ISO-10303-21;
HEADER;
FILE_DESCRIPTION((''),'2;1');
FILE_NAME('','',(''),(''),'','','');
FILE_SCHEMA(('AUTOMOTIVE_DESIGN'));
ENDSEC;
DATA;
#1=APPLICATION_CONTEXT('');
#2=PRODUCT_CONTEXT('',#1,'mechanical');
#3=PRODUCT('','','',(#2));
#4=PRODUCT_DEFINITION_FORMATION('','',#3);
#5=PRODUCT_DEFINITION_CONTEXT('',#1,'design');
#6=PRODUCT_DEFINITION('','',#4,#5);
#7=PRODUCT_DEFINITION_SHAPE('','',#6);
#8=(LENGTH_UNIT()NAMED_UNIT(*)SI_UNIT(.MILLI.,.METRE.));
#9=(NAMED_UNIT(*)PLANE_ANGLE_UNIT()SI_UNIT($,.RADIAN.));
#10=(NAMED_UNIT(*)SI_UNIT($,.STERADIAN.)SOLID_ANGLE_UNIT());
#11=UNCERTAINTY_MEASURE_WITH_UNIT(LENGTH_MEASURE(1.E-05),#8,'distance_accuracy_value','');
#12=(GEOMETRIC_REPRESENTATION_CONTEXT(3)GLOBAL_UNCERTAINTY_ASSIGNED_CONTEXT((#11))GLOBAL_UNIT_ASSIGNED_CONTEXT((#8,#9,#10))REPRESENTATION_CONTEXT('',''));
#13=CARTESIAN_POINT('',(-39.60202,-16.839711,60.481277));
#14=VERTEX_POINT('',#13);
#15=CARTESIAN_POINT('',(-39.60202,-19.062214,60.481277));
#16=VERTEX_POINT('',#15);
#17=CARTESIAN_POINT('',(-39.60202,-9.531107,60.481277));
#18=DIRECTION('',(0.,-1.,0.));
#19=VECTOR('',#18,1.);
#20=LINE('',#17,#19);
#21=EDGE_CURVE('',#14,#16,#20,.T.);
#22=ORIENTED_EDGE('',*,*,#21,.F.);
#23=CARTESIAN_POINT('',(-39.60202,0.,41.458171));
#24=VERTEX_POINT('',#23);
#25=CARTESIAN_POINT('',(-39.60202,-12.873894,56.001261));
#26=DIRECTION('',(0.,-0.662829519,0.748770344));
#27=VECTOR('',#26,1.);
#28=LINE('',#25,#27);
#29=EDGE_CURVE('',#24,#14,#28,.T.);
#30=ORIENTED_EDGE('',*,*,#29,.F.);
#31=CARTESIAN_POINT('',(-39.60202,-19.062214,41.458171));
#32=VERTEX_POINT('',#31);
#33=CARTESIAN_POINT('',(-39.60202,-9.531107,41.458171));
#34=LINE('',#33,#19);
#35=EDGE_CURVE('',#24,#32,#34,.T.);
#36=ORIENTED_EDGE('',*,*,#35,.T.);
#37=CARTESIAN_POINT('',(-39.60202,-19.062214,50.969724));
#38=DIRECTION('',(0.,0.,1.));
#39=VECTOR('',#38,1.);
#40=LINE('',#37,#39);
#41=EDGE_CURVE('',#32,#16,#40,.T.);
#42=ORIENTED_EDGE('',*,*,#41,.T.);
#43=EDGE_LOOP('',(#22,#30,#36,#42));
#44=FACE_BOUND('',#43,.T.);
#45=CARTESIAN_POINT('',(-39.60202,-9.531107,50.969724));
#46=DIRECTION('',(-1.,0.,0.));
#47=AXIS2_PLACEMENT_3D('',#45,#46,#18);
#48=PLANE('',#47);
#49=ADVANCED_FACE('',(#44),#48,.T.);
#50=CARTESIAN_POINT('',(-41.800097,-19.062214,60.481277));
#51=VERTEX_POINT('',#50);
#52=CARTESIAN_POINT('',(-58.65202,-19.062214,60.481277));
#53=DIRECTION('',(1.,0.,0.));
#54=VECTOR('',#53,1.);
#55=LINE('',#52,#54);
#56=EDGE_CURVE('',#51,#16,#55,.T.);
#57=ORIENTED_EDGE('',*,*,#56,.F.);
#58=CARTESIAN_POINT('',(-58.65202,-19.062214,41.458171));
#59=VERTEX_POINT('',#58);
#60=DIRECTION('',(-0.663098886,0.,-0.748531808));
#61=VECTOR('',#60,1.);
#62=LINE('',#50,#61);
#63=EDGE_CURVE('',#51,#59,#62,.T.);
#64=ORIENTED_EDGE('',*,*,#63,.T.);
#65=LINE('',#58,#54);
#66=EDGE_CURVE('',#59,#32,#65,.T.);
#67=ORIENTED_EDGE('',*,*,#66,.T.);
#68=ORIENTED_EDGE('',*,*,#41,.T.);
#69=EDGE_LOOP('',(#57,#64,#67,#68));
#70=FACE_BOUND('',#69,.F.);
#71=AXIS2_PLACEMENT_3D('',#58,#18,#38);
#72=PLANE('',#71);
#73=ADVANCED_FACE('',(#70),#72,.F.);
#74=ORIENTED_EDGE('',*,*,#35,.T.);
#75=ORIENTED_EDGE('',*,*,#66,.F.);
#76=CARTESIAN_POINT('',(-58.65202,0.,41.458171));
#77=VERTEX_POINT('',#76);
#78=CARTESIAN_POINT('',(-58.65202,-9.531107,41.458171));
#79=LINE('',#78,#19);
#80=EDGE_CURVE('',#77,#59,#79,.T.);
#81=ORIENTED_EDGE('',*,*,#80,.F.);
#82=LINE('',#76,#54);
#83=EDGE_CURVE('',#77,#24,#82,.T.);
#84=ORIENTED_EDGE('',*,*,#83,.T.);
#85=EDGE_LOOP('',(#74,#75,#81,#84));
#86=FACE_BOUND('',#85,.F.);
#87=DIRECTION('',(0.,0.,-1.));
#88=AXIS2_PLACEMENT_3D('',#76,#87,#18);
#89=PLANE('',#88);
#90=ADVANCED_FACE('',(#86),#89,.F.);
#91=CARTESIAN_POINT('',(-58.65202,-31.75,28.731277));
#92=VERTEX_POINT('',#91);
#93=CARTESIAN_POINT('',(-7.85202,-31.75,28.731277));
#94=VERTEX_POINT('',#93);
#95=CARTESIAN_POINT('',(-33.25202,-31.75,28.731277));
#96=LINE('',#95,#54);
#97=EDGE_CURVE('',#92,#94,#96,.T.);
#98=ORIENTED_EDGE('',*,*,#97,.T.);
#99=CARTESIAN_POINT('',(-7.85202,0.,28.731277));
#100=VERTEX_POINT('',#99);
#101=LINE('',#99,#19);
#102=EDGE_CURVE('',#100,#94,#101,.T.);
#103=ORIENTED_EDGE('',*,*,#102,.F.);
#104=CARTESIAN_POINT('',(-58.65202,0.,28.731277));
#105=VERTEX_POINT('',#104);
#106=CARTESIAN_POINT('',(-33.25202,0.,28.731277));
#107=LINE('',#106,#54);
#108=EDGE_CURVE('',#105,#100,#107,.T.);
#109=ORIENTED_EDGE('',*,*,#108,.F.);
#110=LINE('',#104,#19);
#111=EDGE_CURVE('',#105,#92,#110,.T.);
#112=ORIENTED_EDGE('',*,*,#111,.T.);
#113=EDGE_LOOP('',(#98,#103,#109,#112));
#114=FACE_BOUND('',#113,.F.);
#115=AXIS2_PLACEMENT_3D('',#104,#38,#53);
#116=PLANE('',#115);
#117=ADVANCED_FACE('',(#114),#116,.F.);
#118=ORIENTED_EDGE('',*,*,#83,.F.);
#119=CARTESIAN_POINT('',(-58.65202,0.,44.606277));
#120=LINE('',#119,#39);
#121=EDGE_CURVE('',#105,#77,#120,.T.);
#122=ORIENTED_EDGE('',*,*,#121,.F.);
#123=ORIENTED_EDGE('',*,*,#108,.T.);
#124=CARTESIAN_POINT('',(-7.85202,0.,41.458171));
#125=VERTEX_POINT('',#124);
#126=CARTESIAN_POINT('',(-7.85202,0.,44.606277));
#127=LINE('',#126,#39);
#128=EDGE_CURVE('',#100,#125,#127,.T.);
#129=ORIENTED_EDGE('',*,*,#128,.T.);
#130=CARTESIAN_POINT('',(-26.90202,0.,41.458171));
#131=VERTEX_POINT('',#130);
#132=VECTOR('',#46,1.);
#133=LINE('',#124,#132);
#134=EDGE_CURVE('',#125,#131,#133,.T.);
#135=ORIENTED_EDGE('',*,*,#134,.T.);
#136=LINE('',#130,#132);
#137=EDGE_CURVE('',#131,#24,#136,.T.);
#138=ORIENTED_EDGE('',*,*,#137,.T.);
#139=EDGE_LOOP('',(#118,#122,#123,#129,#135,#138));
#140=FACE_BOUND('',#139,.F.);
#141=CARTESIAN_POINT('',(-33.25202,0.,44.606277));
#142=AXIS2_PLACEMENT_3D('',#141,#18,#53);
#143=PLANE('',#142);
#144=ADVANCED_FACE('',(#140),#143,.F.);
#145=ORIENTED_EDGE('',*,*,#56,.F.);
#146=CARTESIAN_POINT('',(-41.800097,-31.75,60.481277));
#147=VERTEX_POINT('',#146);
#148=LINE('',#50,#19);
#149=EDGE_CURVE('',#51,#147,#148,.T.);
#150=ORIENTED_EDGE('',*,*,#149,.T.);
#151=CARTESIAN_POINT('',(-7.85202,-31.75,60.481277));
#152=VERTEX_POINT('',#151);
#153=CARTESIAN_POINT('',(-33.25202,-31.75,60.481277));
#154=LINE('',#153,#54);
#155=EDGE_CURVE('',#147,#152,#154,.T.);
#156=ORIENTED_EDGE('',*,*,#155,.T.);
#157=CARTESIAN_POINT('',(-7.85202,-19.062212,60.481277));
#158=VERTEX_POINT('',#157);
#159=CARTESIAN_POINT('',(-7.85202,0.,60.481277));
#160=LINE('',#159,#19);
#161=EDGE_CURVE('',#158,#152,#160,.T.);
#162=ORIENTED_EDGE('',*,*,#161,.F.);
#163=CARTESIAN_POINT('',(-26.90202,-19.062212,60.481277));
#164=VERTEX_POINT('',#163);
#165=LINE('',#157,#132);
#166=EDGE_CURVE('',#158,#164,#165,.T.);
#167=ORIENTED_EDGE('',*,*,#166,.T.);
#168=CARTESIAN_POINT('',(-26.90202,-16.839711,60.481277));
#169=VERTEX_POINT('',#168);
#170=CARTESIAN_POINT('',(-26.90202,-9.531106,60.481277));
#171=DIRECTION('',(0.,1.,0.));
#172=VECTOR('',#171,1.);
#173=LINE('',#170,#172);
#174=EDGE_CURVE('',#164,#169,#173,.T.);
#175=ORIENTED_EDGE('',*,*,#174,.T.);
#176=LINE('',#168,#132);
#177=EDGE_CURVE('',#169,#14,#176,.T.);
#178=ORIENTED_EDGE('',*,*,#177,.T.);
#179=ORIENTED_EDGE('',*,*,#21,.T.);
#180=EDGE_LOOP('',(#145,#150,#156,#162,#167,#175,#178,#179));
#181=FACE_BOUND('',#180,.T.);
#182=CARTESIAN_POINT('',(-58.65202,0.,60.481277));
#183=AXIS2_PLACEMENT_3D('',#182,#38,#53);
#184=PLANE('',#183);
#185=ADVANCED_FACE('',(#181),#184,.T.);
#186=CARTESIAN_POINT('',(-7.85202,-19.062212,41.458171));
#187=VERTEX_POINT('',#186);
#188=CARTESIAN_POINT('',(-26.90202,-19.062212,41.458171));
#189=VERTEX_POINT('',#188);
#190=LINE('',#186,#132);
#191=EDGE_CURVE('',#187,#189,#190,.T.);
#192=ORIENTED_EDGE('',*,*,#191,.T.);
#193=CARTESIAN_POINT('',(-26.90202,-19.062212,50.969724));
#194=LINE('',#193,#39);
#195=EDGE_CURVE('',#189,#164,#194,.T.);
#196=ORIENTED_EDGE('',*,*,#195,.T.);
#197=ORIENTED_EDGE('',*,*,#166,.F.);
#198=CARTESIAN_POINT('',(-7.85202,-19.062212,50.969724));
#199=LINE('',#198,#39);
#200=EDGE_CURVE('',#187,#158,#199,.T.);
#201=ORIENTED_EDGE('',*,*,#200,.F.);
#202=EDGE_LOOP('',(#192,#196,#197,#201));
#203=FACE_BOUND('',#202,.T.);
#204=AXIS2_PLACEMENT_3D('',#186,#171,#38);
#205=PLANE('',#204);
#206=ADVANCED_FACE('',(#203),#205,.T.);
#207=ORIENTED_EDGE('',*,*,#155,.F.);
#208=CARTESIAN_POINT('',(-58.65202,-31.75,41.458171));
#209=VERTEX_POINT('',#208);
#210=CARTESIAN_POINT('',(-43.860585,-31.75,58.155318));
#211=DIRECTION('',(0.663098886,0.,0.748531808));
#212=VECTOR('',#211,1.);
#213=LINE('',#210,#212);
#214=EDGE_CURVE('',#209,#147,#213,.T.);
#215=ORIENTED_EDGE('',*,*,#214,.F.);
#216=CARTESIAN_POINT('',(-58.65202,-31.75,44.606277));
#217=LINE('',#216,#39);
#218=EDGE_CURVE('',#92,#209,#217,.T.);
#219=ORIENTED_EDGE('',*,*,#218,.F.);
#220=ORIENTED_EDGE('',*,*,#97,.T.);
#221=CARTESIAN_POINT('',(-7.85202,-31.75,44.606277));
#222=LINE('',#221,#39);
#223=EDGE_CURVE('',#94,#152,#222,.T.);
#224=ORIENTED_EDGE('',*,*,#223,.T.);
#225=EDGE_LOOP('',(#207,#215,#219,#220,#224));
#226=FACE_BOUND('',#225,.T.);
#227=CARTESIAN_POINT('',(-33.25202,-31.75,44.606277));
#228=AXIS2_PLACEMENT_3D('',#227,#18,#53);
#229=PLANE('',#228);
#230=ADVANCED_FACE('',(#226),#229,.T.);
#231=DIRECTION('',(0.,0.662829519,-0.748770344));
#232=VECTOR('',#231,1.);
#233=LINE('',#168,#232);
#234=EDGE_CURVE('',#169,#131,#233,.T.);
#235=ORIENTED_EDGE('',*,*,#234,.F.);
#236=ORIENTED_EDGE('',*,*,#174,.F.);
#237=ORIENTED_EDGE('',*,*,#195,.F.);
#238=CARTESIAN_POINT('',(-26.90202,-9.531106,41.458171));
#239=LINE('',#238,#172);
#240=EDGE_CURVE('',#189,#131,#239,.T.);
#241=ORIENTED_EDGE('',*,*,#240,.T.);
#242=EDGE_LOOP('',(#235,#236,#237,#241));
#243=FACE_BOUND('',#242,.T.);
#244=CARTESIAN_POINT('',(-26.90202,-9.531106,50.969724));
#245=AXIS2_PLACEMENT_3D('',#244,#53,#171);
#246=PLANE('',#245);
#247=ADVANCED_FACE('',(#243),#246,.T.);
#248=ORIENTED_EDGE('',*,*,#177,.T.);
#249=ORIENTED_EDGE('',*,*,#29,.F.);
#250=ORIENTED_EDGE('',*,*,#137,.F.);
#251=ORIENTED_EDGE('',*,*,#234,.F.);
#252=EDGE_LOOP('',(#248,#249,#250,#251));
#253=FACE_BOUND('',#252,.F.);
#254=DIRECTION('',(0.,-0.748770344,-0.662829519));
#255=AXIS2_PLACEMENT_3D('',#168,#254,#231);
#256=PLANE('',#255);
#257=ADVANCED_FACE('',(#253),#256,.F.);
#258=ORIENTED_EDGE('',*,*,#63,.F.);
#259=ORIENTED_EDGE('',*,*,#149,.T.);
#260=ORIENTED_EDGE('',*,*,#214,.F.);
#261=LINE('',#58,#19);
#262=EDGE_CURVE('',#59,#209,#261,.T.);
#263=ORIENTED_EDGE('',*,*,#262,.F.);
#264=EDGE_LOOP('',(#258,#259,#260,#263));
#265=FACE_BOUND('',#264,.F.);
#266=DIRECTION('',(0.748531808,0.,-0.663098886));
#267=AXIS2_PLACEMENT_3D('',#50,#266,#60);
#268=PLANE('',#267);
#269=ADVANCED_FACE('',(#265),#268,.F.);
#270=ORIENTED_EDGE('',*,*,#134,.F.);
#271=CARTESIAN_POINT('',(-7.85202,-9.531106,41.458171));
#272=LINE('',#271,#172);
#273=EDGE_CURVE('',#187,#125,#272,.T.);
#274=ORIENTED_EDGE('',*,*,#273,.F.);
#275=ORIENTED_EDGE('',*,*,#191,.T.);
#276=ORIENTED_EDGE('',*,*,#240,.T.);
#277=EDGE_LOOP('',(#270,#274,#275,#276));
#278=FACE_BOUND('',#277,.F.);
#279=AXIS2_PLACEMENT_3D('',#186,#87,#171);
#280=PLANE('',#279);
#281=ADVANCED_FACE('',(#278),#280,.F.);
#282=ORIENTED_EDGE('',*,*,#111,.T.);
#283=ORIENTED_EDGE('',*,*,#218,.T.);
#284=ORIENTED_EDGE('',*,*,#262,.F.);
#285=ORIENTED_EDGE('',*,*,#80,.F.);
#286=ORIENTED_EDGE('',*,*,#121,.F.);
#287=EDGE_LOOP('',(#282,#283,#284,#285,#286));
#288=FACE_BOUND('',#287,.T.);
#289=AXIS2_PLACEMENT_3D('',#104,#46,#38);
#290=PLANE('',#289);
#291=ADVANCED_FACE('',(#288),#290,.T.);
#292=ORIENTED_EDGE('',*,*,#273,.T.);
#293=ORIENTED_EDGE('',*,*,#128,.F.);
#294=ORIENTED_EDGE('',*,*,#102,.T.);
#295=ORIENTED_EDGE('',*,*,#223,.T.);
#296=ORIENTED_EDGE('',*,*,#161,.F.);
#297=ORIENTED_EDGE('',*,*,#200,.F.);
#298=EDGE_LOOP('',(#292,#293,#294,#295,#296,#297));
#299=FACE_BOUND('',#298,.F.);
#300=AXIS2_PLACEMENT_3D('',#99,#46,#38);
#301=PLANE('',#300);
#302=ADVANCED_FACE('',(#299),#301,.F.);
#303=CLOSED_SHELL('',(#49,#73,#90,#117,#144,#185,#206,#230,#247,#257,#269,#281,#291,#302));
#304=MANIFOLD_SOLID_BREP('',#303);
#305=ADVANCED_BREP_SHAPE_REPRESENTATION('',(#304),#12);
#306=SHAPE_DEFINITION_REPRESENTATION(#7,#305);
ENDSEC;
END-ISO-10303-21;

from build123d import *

# Parameters (mm, degrees)
F0_W     = 50.8
F0_H     = 31.75
F1_DEPTH = 31.75
F2_W     = 19.062214
F2_H     = 19.023106
F3_DEPTH = 19.05
F4_W     = 19.062212
F4_H     = 19.023106
F5_DEPTH = 19.05
F7_DEPTH = 25.4
F9_DEPTH = 25.4


with BuildPart() as f1:
    # F0 (on Front) → F1 (new body)
    with BuildSketch(Plane.XZ):
        with Locations((-33.25202, 44.606277)):
            Rectangle(F0_W, F0_H)
    extrude(amount=F1_DEPTH)

    # F2 (on face) → F3 (cut)
    with BuildSketch(Plane(origin=(-58.65202, 0, 0), x_dir=(0, -1, 0), z_dir=(-1, 0, 0))):
        with Locations((9.531107, 50.969724)):
            Rectangle(F2_W, F2_H)
    extrude(amount=-F3_DEPTH, mode=Mode.SUBTRACT)

    # F4 (on face) → F5 (cut)
    with BuildSketch(Plane.YZ.offset(-7.85202)):
        with Locations((-9.531106, 50.969724)):
            Rectangle(F4_W, F4_H)
    extrude(amount=-F5_DEPTH, mode=Mode.SUBTRACT)

    # F6 (on face) → F7 (cut)
    with BuildSketch(Plane(origin=(0, -19.062214, 0), x_dir=(-1, 0, 0), z_dir=(0, 1, 0))):
        Polygon((41.800097, 60.481277), (58.65202, 41.458171), (58.65202, 60.481277), align=None)
    extrude(amount=-F7_DEPTH, mode=Mode.SUBTRACT)

    # F8 (on face) → F9 (cut)
    with BuildSketch(Plane.YZ.offset(-26.90202)):
        Polygon((-16.839711, 60.481277), (0, 41.458171), (0, 60.481277), align=None)
    extrude(amount=-F9_DEPTH, mode=Mode.SUBTRACT)


solid = f1.part
